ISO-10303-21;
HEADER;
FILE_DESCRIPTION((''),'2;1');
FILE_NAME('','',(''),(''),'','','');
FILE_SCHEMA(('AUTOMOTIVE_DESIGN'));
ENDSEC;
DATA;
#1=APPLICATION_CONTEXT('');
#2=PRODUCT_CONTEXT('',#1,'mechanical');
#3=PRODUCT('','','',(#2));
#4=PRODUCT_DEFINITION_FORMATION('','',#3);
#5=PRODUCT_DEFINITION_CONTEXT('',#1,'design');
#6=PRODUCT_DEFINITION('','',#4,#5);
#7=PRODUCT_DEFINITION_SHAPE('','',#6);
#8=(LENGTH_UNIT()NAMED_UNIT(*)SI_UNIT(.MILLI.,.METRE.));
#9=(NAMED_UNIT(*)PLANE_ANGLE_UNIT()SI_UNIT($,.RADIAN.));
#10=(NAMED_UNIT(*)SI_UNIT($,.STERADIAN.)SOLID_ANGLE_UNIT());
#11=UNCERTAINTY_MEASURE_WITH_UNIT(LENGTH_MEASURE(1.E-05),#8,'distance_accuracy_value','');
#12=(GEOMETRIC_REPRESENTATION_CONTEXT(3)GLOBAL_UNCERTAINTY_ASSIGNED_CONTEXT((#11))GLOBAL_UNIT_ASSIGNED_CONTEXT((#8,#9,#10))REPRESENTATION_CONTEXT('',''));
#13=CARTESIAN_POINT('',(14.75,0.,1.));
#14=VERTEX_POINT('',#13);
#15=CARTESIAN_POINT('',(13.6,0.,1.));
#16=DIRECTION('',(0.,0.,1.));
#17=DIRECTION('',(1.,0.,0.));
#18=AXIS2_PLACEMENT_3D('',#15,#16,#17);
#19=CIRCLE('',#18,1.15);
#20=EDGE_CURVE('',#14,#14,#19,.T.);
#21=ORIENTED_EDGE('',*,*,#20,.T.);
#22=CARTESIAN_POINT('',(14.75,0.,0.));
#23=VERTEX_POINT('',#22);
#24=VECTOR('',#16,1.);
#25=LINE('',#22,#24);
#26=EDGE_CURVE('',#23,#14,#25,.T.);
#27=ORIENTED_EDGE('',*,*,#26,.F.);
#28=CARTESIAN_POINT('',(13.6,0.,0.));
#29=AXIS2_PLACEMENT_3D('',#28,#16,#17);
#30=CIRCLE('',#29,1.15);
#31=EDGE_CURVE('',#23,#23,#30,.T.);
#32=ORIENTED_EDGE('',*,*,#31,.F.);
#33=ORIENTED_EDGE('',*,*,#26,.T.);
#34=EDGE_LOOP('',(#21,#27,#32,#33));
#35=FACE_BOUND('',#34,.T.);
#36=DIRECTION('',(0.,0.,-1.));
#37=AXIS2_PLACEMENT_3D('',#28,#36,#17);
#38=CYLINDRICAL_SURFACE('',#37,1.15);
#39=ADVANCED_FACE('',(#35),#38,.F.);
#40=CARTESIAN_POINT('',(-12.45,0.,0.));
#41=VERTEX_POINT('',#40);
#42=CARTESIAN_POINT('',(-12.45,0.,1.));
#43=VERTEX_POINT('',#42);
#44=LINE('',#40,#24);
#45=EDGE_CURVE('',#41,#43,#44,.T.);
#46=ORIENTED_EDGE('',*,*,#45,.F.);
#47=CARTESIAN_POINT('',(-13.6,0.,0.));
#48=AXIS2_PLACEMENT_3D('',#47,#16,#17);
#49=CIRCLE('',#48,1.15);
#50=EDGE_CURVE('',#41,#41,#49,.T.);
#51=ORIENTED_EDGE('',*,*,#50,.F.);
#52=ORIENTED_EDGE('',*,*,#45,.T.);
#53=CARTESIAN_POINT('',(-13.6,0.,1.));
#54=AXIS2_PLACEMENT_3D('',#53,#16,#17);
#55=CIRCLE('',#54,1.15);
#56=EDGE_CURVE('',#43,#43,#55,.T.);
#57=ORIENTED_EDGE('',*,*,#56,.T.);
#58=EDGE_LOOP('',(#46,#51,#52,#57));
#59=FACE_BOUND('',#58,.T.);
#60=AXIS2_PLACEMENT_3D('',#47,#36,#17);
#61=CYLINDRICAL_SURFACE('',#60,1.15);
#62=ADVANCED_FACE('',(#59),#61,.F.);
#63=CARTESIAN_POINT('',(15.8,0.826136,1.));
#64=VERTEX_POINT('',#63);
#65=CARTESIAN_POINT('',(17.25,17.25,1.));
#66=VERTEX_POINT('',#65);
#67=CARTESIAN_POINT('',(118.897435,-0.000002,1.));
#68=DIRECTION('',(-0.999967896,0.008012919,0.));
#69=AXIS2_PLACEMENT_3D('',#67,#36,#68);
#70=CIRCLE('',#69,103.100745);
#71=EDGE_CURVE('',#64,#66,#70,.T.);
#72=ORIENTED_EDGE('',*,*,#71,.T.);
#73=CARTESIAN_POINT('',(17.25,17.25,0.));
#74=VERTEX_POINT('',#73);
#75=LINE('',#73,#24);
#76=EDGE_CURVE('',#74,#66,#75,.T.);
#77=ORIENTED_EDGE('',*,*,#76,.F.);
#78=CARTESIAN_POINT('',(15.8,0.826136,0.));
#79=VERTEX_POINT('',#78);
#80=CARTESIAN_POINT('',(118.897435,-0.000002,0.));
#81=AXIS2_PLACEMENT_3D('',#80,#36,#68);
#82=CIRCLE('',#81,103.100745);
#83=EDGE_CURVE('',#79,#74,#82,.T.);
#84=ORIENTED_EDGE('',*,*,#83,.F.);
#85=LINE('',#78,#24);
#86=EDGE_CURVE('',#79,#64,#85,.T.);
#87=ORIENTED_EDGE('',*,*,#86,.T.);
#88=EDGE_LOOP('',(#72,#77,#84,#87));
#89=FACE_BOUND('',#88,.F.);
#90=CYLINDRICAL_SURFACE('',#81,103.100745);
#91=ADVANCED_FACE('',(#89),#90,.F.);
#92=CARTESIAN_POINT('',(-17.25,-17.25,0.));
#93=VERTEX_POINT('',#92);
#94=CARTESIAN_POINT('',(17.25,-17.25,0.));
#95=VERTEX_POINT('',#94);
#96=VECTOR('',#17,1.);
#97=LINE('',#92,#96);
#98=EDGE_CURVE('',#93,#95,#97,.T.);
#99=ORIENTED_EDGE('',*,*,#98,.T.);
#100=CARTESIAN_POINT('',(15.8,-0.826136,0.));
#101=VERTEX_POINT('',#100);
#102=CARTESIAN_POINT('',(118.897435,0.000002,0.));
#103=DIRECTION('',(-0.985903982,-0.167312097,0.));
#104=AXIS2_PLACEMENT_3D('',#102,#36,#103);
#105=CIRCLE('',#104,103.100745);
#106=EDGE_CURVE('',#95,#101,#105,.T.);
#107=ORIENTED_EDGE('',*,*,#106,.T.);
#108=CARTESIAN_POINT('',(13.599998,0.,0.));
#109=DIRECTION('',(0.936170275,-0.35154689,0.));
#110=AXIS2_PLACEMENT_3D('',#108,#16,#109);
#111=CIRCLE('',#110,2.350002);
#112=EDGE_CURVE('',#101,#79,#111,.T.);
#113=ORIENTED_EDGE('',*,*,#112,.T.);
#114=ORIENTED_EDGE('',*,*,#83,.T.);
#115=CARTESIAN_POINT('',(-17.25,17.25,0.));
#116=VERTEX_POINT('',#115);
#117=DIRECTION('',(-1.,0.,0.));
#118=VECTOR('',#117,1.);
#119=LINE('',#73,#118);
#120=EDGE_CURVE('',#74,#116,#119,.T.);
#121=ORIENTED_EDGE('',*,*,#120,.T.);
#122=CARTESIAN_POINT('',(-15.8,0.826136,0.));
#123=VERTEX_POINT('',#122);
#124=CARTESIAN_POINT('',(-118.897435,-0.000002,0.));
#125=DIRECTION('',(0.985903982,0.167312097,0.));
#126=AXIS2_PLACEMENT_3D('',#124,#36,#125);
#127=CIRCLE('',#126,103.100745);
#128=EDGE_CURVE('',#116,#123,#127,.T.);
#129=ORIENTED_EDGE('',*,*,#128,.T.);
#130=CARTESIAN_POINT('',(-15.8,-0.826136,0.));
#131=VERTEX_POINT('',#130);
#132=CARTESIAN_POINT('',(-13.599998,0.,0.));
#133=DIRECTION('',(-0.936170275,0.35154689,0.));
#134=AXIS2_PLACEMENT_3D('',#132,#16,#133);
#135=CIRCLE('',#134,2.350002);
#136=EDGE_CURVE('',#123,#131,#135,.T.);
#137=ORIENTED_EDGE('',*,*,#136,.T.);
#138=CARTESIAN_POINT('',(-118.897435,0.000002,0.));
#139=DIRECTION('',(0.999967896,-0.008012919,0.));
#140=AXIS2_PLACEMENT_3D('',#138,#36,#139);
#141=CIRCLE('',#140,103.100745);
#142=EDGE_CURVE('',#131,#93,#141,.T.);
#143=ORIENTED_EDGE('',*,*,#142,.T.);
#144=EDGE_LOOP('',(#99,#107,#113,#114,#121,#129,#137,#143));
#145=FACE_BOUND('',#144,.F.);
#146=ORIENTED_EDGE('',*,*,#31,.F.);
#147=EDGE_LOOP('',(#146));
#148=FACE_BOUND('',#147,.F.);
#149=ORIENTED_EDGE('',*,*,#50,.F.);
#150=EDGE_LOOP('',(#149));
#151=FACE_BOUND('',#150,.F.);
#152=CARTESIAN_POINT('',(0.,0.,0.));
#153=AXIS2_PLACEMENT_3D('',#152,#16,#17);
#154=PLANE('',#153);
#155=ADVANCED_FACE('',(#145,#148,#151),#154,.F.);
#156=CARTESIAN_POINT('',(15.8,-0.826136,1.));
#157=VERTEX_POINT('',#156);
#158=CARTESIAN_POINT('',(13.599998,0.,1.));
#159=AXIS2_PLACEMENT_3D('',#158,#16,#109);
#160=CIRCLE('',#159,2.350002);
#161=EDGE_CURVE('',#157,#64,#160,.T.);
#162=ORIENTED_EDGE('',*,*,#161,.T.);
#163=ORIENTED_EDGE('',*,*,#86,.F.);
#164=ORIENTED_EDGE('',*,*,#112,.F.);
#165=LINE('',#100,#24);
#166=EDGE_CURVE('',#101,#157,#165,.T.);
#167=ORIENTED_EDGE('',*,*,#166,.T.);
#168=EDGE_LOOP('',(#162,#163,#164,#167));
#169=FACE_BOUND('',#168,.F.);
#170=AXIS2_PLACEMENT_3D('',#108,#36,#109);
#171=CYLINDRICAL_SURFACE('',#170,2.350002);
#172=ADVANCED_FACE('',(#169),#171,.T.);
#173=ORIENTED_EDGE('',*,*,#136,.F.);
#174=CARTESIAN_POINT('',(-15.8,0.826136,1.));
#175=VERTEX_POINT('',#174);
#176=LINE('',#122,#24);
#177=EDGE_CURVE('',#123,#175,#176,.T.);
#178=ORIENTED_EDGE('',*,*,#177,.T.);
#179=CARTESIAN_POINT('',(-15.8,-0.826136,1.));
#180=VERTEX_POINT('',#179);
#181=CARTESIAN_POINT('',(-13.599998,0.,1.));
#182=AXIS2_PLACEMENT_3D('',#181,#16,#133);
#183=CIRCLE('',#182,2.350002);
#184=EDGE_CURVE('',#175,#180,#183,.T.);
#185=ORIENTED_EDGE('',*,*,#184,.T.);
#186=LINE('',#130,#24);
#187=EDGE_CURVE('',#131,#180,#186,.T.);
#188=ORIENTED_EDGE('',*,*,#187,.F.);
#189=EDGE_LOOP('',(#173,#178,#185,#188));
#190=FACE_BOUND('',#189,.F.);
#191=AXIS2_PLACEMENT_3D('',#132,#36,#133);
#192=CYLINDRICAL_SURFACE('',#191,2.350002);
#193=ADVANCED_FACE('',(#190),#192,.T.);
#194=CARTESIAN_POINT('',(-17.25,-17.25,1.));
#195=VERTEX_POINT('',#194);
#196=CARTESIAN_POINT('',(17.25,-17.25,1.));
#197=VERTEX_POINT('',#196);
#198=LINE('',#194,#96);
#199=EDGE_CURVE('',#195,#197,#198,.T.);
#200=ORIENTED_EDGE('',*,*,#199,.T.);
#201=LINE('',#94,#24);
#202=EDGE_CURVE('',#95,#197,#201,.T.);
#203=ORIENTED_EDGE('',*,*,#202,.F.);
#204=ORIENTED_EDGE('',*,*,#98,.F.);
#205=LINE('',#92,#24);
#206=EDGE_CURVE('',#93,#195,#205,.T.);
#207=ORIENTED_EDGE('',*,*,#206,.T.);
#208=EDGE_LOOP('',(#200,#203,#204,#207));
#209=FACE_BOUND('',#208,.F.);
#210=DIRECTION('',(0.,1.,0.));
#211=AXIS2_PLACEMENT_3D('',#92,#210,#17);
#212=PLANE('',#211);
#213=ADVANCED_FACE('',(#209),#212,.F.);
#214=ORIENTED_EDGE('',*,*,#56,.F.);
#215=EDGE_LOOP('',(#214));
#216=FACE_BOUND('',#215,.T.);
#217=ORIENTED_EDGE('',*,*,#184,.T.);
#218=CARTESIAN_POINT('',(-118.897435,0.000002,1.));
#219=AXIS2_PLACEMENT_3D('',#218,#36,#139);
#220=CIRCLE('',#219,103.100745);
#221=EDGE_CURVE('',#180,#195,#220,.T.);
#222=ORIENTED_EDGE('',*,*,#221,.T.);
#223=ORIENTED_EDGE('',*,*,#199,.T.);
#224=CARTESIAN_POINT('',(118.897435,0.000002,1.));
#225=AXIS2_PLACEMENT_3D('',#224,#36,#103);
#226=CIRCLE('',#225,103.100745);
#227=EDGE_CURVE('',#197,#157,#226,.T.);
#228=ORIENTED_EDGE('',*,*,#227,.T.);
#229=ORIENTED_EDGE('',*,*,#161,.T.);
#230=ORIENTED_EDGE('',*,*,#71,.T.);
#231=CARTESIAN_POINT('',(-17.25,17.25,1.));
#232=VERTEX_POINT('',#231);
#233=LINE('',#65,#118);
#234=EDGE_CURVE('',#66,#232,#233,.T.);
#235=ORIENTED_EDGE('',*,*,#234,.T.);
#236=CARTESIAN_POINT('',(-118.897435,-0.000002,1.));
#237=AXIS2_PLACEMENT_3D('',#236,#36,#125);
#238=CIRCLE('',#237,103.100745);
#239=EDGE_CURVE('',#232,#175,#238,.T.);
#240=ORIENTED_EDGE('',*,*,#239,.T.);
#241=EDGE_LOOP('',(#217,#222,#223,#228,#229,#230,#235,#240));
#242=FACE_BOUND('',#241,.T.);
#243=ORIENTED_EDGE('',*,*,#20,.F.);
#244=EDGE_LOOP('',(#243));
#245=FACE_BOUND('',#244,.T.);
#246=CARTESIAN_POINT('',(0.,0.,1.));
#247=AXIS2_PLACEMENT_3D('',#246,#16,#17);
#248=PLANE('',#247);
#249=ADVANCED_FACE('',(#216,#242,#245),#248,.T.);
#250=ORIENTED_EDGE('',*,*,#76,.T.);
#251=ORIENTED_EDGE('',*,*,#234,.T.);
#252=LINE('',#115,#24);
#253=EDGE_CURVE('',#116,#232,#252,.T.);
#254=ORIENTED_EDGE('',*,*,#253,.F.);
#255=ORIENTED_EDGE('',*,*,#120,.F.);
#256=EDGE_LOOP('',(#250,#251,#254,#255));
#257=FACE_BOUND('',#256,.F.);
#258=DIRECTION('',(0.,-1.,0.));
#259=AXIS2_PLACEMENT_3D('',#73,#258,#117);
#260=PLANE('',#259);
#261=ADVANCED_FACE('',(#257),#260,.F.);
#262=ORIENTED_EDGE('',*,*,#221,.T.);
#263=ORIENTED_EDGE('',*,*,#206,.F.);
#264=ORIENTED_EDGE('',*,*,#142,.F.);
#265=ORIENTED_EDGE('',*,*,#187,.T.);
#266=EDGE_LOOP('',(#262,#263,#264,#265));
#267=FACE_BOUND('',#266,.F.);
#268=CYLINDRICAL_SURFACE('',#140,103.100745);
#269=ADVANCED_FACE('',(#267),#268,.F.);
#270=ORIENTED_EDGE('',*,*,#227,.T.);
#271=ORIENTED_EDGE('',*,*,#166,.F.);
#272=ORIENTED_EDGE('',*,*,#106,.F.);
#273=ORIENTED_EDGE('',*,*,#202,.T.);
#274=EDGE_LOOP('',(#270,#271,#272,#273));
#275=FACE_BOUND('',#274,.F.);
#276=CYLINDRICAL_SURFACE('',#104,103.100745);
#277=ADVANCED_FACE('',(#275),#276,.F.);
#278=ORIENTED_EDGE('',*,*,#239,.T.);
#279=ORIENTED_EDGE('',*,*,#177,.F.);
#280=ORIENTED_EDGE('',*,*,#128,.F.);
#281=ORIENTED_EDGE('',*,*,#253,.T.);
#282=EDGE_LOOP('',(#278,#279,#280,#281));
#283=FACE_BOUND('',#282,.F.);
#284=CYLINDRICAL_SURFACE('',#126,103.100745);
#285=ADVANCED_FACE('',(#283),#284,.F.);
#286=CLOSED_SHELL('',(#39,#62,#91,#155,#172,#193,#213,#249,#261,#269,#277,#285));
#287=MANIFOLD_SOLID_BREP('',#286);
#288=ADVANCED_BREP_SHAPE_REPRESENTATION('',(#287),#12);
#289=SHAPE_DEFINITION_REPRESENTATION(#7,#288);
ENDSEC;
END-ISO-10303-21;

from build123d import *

# Parameters (mm, degrees)
F0_R     = 1.15
F1_DEPTH = 1


with BuildPart() as f1:
    # F0 (on Top) → F1 (new body)
    with BuildSketch(Plane.XY):
        with BuildLine():
            ThreePointArc((-17.25, 17.25), (-16.196163, 9.0671), (-15.8, 0.826136))
            ThreePointArc((-15.8, 0.826136), (-15.95, 0), (-15.8, -0.826136))
            ThreePointArc((-15.8, -0.826136), (-16.196163, -9.0671), (-17.25, -17.25))
            Line((-17.25, -17.25), (17.25, -17.25))
            ThreePointArc((17.25, -17.25), (16.196163, -9.0671), (15.8, -0.826136))
            ThreePointArc((15.8, -0.826136), (15.95, 0), (15.8, 0.826136))
            ThreePointArc((15.8, 0.826136), (16.196163, 9.0671), (17.25, 17.25))
            Line((17.25, 17.25), (-17.25, 17.25))
        make_face()
        with Locations((-13.6, 0)):
            Circle(F0_R, mode=Mode.SUBTRACT)
        with Locations((13.6, 0)):
            Circle(F0_R, mode=Mode.SUBTRACT)
    extrude(amount=F1_DEPTH)


solid = f1.part
